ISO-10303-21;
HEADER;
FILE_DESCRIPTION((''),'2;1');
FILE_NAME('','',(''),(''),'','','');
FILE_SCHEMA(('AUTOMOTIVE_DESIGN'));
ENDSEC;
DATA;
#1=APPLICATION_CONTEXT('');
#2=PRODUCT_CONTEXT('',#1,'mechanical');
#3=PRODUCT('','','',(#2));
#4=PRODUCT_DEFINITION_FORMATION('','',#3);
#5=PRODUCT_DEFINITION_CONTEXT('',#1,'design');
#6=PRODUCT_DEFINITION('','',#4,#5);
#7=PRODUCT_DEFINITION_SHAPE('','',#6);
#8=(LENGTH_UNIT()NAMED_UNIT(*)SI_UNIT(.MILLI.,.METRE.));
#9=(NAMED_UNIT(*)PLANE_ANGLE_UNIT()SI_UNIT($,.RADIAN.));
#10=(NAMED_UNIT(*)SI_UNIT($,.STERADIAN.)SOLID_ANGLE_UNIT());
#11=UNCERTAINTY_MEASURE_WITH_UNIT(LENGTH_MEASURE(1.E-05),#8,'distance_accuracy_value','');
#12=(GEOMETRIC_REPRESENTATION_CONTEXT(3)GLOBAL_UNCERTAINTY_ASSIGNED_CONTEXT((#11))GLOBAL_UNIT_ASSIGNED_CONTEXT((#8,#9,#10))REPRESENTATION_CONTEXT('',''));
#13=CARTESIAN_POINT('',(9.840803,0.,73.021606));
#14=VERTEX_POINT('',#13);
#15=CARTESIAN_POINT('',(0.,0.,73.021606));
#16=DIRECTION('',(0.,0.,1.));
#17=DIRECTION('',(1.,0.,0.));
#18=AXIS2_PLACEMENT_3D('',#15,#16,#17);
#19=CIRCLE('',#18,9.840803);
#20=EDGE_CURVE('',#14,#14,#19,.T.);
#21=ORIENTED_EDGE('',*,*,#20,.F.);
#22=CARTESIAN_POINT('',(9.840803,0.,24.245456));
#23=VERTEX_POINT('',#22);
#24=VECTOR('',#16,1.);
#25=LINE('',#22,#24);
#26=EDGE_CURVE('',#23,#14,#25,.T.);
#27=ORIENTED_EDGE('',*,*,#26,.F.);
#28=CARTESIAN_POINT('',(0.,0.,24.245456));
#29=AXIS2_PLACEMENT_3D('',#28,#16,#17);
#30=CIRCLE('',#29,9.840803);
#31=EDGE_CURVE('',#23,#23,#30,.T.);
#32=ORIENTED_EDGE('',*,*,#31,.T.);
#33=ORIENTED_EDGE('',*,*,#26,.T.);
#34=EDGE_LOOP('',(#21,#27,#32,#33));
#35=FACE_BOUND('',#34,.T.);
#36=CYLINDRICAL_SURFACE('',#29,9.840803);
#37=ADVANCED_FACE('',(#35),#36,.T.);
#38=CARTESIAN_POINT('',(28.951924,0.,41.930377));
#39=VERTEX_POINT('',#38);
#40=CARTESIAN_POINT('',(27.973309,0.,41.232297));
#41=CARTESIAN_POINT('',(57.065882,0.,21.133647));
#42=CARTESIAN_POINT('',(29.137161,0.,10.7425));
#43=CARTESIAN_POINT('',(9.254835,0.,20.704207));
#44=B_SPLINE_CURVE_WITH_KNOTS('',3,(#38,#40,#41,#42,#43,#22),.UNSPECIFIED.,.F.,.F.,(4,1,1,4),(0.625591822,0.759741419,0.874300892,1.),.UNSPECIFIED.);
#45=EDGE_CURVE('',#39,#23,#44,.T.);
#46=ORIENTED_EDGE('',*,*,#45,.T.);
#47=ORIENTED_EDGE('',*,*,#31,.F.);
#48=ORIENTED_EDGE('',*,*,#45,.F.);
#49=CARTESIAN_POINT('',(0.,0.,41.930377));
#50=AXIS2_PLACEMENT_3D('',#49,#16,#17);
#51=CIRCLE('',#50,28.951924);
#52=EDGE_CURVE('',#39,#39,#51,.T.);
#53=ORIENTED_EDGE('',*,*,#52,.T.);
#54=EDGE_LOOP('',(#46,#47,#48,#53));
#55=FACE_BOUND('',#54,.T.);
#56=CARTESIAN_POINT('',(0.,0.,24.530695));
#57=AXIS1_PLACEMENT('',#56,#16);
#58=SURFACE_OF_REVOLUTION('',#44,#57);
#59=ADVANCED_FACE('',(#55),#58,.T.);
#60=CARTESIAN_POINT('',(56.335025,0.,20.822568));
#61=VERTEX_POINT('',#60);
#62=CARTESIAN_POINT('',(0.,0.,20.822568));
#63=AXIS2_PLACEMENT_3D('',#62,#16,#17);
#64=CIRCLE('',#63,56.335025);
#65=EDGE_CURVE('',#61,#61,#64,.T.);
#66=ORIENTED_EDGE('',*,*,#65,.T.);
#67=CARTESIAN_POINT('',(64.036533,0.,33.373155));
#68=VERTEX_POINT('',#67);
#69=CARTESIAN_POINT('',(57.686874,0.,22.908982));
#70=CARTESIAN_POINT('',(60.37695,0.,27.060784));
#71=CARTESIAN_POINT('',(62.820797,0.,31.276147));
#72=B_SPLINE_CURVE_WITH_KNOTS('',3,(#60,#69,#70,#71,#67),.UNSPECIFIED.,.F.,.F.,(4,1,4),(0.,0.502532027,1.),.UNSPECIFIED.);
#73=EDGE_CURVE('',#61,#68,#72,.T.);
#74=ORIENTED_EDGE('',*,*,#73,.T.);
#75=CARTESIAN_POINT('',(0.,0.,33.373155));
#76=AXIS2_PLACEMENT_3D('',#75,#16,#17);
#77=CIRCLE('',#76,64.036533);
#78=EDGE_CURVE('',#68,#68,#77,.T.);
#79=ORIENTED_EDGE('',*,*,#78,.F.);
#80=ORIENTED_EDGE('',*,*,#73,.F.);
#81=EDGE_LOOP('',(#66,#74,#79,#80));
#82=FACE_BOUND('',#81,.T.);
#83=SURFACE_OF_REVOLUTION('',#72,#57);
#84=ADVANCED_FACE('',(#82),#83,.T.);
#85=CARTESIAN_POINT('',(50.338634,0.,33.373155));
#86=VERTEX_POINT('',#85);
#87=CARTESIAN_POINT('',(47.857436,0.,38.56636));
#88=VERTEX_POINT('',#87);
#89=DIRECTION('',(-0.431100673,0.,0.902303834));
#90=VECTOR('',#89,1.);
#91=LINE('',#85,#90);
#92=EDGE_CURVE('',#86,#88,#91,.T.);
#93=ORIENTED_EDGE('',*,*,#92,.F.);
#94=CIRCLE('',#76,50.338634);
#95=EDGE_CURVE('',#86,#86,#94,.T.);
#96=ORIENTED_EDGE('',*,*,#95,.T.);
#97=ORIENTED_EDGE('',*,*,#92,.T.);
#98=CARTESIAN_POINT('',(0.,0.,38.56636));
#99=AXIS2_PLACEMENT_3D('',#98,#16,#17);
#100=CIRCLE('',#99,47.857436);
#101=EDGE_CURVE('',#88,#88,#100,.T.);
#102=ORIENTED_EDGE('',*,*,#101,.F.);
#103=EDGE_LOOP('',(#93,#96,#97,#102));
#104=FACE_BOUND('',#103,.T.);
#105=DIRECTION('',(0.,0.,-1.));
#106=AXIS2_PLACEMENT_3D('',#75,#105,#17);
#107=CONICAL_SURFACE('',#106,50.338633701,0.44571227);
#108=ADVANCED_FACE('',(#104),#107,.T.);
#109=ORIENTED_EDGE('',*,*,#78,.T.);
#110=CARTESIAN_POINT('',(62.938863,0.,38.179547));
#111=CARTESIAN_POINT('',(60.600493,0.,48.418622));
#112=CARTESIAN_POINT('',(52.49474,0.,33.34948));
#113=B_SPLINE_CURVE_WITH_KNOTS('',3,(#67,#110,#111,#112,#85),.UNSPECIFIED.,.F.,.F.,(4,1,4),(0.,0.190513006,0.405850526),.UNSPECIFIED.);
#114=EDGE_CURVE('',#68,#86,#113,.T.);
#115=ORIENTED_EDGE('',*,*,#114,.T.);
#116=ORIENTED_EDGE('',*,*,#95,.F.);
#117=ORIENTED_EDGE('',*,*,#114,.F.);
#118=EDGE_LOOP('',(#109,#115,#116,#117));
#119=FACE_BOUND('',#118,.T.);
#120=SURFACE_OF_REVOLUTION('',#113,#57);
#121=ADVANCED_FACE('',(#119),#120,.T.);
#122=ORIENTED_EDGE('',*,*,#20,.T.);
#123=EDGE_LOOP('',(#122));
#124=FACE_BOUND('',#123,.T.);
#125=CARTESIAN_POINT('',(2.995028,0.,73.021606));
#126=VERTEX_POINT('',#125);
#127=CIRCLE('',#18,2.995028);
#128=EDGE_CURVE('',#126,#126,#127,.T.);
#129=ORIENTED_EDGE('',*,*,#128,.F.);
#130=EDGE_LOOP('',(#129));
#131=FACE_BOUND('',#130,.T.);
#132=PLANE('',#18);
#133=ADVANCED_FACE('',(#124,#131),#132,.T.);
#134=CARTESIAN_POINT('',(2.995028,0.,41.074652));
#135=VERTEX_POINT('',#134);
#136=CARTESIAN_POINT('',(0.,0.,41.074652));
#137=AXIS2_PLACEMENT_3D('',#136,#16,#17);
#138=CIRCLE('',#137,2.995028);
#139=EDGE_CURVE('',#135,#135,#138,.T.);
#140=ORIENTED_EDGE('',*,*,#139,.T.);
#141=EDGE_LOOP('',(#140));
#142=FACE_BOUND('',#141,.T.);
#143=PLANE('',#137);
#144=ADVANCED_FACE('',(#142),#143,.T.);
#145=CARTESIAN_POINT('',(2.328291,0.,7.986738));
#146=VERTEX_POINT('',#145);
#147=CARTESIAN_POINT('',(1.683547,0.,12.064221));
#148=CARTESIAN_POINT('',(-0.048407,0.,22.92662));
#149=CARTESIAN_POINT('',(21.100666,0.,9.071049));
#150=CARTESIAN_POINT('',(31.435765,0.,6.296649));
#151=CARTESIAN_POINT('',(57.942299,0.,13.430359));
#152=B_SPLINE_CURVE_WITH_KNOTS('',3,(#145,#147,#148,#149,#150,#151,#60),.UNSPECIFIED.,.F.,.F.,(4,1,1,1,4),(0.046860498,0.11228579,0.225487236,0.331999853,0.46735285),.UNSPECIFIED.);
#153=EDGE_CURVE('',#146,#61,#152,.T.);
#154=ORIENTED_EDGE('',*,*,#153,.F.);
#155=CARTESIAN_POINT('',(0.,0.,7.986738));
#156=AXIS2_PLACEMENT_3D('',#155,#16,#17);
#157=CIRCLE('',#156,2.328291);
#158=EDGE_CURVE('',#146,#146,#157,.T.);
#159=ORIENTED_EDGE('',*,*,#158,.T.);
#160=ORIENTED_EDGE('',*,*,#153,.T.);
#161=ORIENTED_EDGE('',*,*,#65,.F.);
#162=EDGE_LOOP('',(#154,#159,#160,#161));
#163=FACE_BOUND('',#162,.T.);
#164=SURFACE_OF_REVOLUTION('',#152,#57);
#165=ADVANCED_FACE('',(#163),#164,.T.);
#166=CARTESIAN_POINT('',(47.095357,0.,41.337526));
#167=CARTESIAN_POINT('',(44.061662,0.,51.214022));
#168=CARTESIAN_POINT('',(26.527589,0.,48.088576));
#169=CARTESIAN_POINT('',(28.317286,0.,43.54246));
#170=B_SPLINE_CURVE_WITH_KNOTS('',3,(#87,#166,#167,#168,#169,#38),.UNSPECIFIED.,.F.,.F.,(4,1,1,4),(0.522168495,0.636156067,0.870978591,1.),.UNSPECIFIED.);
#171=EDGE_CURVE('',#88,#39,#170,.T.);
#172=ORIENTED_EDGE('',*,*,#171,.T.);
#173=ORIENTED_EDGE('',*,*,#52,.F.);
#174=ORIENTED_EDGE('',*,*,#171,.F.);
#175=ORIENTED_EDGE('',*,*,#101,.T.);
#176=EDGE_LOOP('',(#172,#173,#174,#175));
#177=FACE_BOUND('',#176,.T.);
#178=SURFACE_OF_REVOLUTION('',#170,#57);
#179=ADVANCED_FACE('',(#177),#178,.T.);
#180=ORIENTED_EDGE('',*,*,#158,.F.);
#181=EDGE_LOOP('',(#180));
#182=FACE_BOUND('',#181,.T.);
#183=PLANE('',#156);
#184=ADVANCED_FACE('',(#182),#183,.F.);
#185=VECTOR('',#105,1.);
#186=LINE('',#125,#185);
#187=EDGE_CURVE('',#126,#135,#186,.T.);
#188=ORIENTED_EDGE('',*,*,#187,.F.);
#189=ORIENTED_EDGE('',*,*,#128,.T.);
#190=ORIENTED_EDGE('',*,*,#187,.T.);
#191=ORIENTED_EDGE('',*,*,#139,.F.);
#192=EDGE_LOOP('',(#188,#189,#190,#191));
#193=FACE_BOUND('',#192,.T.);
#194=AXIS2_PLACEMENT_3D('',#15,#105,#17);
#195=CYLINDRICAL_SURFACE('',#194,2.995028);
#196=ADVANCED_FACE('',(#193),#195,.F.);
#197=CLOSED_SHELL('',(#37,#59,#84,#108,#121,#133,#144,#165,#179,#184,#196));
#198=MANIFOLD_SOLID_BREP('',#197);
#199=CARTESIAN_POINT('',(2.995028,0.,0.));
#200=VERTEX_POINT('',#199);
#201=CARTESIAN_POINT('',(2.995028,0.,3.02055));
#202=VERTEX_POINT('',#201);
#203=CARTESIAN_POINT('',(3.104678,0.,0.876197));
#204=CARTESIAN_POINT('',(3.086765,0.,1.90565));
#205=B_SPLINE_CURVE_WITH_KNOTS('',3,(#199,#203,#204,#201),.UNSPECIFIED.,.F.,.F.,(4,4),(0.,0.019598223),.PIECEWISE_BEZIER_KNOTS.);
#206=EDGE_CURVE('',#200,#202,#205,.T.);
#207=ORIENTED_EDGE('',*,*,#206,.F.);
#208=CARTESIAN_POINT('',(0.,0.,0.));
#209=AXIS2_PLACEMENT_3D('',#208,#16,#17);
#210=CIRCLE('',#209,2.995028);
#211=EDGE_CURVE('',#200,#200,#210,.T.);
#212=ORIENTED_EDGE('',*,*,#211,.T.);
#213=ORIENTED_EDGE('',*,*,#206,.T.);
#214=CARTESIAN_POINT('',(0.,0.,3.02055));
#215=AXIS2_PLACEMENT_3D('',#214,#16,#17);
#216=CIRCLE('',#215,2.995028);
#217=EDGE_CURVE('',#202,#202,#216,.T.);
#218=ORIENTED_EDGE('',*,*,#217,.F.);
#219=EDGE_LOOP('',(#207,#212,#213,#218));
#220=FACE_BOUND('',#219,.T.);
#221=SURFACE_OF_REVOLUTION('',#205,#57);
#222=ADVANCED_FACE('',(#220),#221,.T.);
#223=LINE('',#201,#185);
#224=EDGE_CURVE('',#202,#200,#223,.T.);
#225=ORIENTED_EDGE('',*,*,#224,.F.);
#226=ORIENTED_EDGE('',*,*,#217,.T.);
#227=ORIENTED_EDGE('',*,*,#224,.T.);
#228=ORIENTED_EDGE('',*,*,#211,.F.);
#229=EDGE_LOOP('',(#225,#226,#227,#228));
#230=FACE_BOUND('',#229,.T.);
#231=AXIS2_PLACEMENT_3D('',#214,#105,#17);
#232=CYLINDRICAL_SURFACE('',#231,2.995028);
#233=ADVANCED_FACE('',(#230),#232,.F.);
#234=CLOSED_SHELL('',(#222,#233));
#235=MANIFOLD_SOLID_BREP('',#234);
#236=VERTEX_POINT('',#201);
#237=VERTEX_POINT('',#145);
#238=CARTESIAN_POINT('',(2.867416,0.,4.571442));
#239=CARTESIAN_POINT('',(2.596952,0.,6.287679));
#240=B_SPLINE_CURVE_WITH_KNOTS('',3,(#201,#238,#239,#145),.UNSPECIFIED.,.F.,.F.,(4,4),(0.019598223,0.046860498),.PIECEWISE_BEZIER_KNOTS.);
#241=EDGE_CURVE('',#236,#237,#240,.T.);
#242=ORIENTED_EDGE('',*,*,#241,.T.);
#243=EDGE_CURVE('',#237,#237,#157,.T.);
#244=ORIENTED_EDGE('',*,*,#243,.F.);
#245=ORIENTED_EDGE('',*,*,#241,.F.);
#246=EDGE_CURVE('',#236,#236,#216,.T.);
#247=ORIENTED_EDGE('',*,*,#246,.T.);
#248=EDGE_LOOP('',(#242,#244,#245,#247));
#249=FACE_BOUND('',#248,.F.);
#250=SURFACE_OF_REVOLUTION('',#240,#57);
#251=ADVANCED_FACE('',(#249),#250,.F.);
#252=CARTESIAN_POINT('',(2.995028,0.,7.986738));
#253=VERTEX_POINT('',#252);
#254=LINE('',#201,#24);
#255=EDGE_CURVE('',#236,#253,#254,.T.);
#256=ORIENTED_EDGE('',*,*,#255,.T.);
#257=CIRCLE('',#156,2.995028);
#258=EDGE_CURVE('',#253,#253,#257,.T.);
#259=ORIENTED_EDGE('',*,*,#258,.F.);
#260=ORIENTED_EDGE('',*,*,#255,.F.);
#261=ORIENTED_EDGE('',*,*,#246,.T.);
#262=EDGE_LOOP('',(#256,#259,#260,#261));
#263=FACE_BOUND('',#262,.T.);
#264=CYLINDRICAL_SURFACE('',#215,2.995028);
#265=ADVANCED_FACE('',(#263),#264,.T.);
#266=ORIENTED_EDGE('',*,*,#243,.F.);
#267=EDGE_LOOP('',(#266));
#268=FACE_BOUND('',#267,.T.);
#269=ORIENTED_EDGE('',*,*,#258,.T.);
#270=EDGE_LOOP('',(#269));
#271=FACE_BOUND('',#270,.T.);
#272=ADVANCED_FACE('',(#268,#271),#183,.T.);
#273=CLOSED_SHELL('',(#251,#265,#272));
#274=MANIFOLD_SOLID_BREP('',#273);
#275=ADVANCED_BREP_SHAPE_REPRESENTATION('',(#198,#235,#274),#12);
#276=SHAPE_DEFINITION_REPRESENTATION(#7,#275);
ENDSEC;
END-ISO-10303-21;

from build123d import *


with BuildPart() as f1:
    # F0 (on Front) → F1 (revolve)
    with BuildSketch(Plane.XZ):
        with BuildLine():
            Line((0, 41.0746522248), (0, 7.9867383465))
            Line((0, 7.9867383465), (2.3282913797, 7.9867383465))
            add(Edge.make_bspline(
                [(2.3282913797, 7.9867383465), (1.683546576, 12.0642206499), (-0.048407045, 22.9266199815), (21.1006658802, 9.0710488559), (31.4357652833, 6.2966487603), (57.9422988516, 13.4303586849), (56.3350245357, 20.8225678653)],
                knots=[0.0468604979, 0.0468604979, 0.0468604979, 0.0468604979, 0.1122857898, 0.2254872358, 0.3319998533, 0.46735285, 0.46735285, 0.46735285, 0.46735285], degree=3))
            add(Edge.make_bspline(
                [(56.3350245357, 20.8225678653), (54.4559864574, 29.4646785459), (30.1062707948, 42.7538128539), (28.9519242942, 41.9303774834)],
                knots=[0.46735285, 0.46735285, 0.46735285, 0.46735285, 0.6255918215, 0.6255918215, 0.6255918215, 0.6255918215], degree=3))
            add(Edge.make_bspline(
                [(28.9519242942, 41.9303774834), (27.9733087415, 41.2322970891), (57.0658823337, 21.1336473921), (29.1371612272, 10.7424995802), (9.2548354982, 20.7042067926), (9.8408032209, 24.2454558611)],
                knots=[0.6255918215, 0.6255918215, 0.6255918215, 0.6255918215, 0.7597414192, 0.8743008922, 1, 1, 1, 1], degree=3))
            Line((9.8408032209, 24.2454558611), (9.8408032209, 73.0216056108))
            Line((9.8408032209, 73.0216056108), (2.9950279277, 73.0216056108))
            Line((2.9950279277, 73.0216056108), (2.9950279277, 41.0746522248))
            Line((2.9950279277, 41.0746522248), (0, 41.0746522248))
        make_face()
        with BuildLine():
            add(Edge.make_bspline(
                [(56.3350245357, 20.8225678653), (54.4559864574, 29.4646785459), (30.1062707948, 42.7538128539), (28.9519242942, 41.9303774834)],
                knots=[0.46735285, 0.46735285, 0.46735285, 0.46735285, 0.6255918215, 0.6255918215, 0.6255918215, 0.6255918215], degree=3))
            add(Edge.make_bspline(
                [(56.3350245357, 20.8225678653), (57.6868738982, 22.9089815495), (60.376949934, 27.0607839681), (62.8207974176, 31.2761467429), (64.0365332721, 33.3731547188)],
                knots=[0, 0, 0, 0, 0.5025320268, 1, 1, 1, 1], degree=3))
            add(Edge.make_bspline(
                [(64.0365332721, 33.3731547188), (62.9388633352, 38.1795471886), (60.6004932142, 48.4186219449), (52.4947398255, 33.3494800996), (50.3386337009, 33.3731547188)],
                knots=[0, 0, 0, 0, 0.1905130062, 0.4058505261, 0.4058505261, 0.4058505261, 0.4058505261], degree=3))
            add(Edge.make_bspline(
                [(50.3386337009, 33.3731547188), (49.1739788634, 33.3859429389), (48.6350943575, 35.7385399644), (47.8574357913, 38.5663602189)],
                knots=[0.4058505261, 0.4058505261, 0.4058505261, 0.4058505261, 0.5221684946, 0.5221684946, 0.5221684946, 0.5221684946], degree=3))
            add(Edge.make_bspline(
                [(47.8574357913, 38.5663602189), (47.0953573865, 41.3375259238), (44.0616615568, 51.214021577), (26.5275892133, 48.0885755444), (28.3172861875, 43.542459571), (28.9519242942, 41.9303774834)],
                knots=[0.5221684946, 0.5221684946, 0.5221684946, 0.5221684946, 0.6361560667, 0.8709785912, 1, 1, 1, 1], degree=3))
        make_face()
        with BuildLine():
            Line((50.3386337009, 33.3731547188), (47.8574357913, 38.5663602189))
            add(Edge.make_bspline(
                [(50.3386337009, 33.3731547188), (49.1739788634, 33.3859429389), (48.6350943575, 35.7385399644), (47.8574357913, 38.5663602189)],
                knots=[0.4058505261, 0.4058505261, 0.4058505261, 0.4058505261, 0.5221684946, 0.5221684946, 0.5221684946, 0.5221684946], degree=3))
        make_face()
    revolve(axis=Axis((0, 0, 24.5306952856), (0, 0, 1)))


with BuildPart() as f1b:
    # F0 (on Front) → F1, piece 2 (revolve)
    with BuildSketch(Plane.XZ):
        with BuildLine():
            add(Edge.make_bspline(
                [(2.9950279277, 0), (3.1046784704, 0.8761971235), (3.0867650924, 1.9056499459), (2.9950279277, 3.0205504788)],
                knots=[0, 0, 0, 0, 0.0195982234, 0.0195982234, 0.0195982234, 0.0195982234], degree=3))
            Line((2.9950279277, 3.0205504788), (2.9950279277, 0))
        make_face()
    revolve(axis=Axis((0, 0, 24.5306952856), (0, 0, 1)))


with BuildPart() as f1c:
    # F0 (on Front) → F1, piece 3 (revolve)
    with BuildSketch(Plane.XZ):
        with BuildLine():
            Line((2.9950279277, 7.9867383465), (2.3282913797, 7.9867383465))
            add(Edge.make_bspline(
                [(2.9950279277, 3.0205504788), (2.8674161681, 4.5714423027), (2.5969521584, 6.2876791764), (2.3282913797, 7.9867383465)],
                knots=[0.0195982234, 0.0195982234, 0.0195982234, 0.0195982234, 0.0468604979, 0.0468604979, 0.0468604979, 0.0468604979], degree=3))
            Line((2.9950279277, 3.0205504788), (2.9950279277, 7.9867383465))
        make_face()
    revolve(axis=Axis((0, 0, 24.5306952856), (0, 0, 1)))


solid = Compound([f1.part, f1b.part, f1c.part])
